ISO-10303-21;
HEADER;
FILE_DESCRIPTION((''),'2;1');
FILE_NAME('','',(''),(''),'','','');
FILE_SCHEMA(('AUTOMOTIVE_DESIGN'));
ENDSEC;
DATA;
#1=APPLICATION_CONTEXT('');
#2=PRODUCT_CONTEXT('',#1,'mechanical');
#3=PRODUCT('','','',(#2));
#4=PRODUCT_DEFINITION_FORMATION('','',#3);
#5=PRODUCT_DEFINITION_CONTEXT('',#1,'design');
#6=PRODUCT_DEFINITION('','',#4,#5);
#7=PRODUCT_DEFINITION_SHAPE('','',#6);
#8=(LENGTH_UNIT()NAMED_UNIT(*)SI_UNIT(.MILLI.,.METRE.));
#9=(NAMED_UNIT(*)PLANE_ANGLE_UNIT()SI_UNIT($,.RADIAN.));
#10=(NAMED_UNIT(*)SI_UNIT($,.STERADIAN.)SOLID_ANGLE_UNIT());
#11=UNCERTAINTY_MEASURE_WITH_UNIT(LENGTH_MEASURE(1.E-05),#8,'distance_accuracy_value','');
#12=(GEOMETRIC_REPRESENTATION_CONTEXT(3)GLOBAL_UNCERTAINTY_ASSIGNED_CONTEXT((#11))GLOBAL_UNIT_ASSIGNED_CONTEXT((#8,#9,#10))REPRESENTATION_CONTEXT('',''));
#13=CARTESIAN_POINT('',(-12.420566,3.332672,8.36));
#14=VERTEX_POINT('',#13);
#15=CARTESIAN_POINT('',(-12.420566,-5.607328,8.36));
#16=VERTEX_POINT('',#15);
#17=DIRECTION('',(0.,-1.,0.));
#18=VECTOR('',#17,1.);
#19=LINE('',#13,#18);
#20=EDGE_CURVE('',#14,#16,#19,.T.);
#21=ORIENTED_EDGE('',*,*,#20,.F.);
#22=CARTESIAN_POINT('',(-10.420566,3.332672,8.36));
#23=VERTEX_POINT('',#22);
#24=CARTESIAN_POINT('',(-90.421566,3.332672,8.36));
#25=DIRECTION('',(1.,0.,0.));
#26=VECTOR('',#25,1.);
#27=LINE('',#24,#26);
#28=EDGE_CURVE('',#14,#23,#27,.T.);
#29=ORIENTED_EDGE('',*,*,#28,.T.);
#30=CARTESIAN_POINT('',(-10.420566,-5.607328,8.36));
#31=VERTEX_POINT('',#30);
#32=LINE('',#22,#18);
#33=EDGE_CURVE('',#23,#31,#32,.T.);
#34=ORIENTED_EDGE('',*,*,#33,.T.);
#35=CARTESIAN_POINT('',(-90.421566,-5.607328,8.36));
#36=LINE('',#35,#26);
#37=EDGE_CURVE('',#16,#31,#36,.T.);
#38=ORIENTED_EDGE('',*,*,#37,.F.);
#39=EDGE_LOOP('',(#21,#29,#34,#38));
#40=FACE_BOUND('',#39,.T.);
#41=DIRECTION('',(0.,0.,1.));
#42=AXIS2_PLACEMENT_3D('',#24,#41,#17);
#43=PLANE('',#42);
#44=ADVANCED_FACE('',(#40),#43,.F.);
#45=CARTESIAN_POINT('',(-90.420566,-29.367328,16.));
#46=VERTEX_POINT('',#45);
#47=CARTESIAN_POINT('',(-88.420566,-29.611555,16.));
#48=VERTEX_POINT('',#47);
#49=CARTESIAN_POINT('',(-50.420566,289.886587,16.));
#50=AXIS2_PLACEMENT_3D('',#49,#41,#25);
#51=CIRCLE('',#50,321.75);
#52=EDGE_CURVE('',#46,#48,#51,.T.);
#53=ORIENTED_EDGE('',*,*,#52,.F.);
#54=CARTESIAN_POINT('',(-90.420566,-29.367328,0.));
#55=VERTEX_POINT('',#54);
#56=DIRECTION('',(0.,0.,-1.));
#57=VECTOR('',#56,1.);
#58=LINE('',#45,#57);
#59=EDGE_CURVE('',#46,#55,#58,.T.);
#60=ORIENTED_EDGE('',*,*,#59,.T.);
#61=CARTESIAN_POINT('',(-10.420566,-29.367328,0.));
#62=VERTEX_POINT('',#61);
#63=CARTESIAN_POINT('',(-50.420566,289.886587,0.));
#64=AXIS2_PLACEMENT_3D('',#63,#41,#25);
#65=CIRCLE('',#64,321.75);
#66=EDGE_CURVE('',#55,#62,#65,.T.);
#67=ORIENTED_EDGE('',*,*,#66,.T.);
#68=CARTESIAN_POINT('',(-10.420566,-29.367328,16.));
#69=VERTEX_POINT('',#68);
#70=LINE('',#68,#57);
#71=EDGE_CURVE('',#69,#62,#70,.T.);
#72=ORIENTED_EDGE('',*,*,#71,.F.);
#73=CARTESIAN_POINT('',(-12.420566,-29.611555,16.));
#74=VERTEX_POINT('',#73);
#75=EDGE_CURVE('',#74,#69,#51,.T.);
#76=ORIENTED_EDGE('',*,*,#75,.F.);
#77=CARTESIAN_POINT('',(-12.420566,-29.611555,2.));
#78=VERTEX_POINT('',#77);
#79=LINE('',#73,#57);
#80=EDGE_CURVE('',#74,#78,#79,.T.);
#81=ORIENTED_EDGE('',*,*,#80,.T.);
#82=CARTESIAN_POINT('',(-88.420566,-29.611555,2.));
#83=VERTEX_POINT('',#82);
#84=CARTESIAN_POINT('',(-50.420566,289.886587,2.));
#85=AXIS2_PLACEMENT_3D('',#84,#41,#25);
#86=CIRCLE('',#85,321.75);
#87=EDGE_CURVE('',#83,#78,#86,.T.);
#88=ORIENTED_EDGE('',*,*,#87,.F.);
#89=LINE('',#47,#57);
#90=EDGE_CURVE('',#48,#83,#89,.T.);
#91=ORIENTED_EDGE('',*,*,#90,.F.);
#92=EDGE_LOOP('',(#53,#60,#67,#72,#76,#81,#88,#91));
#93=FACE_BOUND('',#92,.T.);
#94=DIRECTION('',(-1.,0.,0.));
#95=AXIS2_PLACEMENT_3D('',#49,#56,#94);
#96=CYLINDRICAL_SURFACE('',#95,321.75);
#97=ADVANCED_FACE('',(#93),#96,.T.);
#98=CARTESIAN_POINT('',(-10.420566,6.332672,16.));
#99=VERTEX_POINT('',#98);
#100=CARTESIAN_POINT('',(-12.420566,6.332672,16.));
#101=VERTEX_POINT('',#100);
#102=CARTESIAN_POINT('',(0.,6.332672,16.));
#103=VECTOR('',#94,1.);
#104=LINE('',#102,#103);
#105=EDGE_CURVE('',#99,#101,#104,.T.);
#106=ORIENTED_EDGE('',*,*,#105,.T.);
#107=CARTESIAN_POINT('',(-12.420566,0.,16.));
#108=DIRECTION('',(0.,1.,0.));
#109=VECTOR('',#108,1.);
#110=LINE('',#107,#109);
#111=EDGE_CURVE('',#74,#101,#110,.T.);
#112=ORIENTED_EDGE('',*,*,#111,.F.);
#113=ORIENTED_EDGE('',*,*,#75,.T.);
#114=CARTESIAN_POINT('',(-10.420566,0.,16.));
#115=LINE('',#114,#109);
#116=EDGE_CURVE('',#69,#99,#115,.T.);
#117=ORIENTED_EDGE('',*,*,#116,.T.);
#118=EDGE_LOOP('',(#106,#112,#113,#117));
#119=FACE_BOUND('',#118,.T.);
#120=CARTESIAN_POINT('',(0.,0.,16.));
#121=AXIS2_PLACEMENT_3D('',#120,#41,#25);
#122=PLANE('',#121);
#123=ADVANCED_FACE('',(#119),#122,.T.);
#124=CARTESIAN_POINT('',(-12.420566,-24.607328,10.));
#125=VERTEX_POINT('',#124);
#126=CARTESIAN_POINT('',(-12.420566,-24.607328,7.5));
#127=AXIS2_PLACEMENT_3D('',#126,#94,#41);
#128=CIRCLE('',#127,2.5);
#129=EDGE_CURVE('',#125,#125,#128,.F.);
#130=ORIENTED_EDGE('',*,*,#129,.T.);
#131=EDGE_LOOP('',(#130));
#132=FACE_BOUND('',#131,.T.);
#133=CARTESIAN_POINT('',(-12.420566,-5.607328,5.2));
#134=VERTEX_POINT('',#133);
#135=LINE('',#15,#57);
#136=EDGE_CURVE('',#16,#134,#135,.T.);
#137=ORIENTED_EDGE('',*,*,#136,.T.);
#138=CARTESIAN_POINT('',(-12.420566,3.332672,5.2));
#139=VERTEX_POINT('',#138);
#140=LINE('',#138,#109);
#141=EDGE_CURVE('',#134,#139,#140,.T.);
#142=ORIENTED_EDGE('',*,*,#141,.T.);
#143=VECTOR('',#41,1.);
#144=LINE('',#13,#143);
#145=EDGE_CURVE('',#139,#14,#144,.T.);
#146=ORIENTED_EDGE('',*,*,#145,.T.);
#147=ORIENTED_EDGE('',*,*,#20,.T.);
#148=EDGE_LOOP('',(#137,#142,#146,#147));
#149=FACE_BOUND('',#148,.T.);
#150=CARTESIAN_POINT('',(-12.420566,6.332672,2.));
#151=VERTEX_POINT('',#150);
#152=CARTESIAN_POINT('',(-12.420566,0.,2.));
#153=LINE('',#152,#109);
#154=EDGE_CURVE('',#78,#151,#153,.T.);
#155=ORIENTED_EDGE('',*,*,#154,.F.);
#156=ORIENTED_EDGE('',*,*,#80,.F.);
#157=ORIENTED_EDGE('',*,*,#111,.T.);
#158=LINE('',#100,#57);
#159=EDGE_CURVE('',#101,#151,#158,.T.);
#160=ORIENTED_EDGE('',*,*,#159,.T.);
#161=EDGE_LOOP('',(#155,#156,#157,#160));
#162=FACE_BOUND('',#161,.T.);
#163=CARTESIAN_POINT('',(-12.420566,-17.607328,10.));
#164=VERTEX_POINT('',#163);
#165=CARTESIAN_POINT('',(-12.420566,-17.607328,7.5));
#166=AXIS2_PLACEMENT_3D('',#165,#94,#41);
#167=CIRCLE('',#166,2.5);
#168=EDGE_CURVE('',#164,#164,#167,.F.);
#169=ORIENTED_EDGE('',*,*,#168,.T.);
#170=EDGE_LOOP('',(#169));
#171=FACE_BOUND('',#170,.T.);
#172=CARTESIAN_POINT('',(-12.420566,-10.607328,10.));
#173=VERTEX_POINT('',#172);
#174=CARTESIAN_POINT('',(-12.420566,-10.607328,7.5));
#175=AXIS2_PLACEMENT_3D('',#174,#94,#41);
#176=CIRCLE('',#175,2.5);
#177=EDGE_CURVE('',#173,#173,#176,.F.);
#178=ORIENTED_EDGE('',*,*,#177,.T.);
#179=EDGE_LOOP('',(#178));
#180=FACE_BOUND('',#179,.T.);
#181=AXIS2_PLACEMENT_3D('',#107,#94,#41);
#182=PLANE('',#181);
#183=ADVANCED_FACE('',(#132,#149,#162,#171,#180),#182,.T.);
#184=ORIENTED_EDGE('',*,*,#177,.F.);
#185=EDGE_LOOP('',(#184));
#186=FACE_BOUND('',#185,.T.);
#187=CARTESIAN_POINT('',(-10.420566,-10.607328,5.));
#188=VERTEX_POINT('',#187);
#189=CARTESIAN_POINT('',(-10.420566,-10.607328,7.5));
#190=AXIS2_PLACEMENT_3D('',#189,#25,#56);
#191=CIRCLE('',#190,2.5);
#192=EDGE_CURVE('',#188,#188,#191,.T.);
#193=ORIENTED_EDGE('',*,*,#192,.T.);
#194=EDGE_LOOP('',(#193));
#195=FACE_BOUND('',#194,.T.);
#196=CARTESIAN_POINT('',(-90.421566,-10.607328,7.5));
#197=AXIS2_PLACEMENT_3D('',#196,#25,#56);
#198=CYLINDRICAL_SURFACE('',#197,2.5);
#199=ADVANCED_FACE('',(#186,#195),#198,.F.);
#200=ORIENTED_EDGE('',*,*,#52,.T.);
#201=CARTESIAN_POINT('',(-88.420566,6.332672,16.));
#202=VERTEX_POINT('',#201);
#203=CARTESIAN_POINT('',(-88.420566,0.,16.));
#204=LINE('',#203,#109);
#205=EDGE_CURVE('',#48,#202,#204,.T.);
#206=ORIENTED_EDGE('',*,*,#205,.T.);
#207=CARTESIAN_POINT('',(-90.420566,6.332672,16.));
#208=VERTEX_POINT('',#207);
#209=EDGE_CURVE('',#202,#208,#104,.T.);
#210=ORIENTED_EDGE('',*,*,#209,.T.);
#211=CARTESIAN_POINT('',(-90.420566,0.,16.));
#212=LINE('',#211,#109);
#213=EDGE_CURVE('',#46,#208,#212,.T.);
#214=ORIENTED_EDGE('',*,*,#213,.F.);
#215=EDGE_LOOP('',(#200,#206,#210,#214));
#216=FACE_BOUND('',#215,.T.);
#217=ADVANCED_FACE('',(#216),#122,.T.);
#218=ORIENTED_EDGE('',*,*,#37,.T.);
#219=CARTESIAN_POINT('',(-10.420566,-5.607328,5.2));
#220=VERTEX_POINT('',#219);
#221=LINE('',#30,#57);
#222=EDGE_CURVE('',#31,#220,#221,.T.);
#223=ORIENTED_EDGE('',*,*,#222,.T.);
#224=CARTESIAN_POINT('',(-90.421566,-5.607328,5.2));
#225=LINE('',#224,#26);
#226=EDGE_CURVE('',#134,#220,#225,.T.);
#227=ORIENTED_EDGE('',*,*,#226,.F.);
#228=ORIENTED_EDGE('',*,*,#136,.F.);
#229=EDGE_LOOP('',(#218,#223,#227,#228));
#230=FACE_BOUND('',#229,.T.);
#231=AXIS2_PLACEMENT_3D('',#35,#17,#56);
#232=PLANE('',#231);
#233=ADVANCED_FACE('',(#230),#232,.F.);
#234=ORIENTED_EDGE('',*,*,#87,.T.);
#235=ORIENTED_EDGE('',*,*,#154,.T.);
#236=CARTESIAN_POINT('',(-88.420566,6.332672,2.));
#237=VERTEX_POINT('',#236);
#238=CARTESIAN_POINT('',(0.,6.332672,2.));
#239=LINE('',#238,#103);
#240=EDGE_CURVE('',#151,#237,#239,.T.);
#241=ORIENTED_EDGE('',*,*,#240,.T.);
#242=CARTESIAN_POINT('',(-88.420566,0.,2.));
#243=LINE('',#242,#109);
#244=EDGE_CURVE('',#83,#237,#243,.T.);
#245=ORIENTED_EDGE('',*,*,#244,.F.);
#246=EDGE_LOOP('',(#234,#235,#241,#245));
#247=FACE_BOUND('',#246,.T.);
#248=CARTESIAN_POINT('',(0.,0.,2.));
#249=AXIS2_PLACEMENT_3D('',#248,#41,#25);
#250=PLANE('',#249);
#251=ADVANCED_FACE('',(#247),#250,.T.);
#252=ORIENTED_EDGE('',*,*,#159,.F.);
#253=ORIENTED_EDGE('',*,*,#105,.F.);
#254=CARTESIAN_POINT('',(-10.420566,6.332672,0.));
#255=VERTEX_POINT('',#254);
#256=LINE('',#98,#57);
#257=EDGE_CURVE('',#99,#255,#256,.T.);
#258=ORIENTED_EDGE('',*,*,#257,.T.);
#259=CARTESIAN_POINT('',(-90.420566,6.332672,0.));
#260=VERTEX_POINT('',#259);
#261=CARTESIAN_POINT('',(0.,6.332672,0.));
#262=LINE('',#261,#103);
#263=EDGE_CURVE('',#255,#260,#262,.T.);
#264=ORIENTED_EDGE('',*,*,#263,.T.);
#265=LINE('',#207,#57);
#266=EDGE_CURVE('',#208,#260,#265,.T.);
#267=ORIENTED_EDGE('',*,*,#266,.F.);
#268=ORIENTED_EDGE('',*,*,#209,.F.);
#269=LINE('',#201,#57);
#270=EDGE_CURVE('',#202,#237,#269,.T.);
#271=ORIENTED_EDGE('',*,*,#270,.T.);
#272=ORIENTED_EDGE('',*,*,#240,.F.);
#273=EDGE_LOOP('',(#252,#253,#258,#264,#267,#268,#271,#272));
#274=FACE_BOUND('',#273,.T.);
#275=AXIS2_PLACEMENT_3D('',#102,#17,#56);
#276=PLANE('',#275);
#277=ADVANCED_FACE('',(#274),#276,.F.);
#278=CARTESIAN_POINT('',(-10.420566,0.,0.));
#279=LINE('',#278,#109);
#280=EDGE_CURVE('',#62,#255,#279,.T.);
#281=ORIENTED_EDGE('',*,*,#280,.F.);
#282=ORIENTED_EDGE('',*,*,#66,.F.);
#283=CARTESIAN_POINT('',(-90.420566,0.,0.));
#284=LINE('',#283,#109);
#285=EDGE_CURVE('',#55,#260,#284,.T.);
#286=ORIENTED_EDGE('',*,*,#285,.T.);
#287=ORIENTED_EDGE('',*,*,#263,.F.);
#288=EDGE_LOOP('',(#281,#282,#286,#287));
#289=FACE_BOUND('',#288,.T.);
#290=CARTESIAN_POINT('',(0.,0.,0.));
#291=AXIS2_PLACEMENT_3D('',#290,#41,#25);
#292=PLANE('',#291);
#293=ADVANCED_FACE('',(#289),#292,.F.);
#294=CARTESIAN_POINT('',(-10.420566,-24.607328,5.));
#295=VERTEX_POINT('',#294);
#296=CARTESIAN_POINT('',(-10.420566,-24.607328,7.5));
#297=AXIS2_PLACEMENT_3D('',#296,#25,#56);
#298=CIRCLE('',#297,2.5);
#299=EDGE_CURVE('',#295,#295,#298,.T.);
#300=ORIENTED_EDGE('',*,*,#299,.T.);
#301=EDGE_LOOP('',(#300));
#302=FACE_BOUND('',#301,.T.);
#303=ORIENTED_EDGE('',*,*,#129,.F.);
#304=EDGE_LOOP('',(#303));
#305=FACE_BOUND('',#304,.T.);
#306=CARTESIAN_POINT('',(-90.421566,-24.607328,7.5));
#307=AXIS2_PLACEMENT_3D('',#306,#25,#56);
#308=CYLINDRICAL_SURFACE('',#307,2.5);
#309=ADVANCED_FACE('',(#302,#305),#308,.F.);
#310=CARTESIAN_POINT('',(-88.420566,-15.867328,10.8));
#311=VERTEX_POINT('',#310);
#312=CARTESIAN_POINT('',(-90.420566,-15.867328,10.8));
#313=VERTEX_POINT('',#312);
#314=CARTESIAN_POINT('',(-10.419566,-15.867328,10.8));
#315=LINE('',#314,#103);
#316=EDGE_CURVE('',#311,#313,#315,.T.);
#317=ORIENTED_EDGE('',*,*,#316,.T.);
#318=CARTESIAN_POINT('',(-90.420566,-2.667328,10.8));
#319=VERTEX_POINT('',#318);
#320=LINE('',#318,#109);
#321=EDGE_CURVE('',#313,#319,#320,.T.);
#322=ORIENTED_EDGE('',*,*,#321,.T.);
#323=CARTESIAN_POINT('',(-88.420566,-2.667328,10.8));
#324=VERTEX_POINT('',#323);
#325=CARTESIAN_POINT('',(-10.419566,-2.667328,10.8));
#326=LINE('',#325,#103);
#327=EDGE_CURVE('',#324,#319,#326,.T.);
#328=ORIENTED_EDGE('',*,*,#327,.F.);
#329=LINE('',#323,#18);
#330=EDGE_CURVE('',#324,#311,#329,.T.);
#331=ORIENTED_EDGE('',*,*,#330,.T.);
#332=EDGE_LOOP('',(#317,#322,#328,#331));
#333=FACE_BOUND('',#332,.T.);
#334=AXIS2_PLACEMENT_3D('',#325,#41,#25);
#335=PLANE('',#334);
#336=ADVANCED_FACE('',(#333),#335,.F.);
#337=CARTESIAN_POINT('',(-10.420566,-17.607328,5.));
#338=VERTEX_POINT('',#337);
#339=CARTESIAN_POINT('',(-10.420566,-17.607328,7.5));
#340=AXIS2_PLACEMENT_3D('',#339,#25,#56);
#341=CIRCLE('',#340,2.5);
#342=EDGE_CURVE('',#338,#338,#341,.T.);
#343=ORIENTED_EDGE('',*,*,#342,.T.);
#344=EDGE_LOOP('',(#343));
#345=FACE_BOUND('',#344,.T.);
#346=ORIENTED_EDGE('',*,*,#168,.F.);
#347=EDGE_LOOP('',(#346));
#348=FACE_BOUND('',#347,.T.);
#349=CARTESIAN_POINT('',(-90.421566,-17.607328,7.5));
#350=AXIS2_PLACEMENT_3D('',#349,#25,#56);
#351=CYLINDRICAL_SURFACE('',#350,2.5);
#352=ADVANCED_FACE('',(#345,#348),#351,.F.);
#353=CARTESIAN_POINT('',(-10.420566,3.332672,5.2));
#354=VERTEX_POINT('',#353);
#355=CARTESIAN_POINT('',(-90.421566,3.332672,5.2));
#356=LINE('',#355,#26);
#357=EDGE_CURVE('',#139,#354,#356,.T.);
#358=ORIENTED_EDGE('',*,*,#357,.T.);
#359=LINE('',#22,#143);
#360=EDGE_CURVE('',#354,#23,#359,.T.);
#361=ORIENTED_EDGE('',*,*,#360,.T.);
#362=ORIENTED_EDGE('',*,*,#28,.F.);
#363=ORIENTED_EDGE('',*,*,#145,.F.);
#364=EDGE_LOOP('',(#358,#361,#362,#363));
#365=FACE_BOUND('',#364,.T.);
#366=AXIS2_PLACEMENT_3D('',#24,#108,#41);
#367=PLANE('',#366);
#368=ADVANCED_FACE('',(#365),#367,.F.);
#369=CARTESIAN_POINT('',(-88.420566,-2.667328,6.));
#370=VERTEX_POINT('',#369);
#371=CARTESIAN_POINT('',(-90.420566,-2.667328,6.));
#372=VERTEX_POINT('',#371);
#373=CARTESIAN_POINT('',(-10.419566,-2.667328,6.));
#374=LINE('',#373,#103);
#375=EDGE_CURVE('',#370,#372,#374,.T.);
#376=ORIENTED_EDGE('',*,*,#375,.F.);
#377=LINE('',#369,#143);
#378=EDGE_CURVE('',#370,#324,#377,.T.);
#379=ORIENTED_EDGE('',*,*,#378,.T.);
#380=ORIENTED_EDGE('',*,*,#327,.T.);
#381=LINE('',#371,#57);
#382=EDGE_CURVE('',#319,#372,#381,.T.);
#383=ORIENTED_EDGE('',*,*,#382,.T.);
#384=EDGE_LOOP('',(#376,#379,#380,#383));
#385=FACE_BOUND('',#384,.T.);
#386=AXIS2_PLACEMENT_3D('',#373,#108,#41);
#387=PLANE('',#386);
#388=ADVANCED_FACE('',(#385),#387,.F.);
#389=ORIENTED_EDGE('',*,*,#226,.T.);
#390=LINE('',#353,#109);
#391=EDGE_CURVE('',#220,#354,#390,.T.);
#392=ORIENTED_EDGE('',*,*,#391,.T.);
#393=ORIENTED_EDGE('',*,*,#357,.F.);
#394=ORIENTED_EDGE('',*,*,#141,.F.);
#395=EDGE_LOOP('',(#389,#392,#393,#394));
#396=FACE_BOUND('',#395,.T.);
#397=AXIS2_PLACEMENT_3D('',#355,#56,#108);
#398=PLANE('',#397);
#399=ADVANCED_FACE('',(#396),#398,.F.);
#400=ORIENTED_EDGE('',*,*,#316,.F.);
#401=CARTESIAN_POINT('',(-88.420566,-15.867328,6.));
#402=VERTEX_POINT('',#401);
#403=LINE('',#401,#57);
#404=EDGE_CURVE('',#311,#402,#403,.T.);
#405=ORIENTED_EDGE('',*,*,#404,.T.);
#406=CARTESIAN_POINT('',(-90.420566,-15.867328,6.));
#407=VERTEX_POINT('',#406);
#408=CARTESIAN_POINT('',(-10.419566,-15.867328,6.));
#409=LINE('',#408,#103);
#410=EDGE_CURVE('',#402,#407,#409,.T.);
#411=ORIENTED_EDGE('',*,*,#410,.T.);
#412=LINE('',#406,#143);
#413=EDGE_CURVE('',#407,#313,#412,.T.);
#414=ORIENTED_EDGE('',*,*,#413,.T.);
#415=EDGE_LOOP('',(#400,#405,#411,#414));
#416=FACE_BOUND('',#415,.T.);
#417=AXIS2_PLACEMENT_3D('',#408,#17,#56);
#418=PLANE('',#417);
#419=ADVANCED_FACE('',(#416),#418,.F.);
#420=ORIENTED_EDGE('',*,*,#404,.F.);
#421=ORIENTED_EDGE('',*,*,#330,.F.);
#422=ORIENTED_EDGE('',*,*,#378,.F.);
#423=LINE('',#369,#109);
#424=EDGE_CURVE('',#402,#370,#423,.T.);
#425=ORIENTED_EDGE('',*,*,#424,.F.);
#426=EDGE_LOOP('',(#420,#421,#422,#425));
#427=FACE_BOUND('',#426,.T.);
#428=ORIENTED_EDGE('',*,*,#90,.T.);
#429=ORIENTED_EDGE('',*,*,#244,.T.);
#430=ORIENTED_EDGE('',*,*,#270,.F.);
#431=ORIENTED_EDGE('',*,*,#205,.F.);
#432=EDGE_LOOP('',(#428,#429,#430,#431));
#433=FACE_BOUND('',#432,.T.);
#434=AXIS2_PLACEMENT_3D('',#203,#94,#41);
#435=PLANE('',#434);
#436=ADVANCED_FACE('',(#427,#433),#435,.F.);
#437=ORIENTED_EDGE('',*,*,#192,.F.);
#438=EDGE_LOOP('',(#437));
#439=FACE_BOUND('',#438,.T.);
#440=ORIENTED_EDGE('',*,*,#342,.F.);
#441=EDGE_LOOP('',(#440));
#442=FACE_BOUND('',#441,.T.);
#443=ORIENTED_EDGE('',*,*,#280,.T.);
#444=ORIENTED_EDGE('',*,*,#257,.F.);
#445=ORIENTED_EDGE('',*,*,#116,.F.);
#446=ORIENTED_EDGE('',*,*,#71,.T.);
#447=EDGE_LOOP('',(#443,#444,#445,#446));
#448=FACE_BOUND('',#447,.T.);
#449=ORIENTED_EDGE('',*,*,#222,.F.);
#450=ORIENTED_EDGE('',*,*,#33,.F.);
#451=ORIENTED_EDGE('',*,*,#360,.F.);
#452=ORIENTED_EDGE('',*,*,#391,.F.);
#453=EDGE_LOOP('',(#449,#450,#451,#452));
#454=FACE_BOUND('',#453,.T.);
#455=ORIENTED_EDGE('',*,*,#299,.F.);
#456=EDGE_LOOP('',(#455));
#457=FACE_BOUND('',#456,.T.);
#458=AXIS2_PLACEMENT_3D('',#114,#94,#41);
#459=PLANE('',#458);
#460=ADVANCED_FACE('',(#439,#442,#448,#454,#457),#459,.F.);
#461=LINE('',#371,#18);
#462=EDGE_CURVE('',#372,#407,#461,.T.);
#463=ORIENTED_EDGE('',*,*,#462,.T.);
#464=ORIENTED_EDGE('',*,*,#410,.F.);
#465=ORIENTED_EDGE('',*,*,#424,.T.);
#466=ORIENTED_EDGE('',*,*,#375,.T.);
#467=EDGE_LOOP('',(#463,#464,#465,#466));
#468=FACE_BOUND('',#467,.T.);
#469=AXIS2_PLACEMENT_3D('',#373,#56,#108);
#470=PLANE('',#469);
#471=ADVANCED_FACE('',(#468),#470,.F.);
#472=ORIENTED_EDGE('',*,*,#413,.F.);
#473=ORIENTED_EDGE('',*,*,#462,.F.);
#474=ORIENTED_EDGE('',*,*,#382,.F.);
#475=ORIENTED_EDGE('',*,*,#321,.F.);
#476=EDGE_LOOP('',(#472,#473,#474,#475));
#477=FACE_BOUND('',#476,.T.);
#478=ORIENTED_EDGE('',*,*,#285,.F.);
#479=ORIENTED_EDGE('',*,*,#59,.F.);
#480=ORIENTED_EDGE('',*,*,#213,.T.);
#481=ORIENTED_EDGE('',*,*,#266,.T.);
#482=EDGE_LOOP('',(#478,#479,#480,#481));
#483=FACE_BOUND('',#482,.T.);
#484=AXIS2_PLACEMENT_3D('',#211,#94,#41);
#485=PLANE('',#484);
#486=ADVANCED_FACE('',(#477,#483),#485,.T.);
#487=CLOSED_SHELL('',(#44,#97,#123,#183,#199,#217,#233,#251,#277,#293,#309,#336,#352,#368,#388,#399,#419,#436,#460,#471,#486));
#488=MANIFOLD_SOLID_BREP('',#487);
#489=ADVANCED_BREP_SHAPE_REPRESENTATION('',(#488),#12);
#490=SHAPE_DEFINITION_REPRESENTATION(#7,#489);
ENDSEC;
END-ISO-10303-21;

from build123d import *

# Parameters (mm, degrees)
SKETCH_1_W          = 80
SKETCH_1_H          = 35.7
EXTRUDE_1_DEPTH     = 16
SHELL_1_T           = -2
CUT_EXTRUDE_3_REACH = 89.586
SKETCH_2_W          = 4.8
SKETCH_2_H          = 13.2
CUT_EXTRUDE_4_REACH = 89.586
SKETCH_6_R          = 2.5
SKETCH_6_W          = 3.16
SKETCH_6_H          = 8.94


with BuildPart() as part:
    # 草图1 → 凸台-拉伸1 (new body)
    with BuildSketch(Plane.XY):
        with Locations((-50.420566467, -11.517328482)):
            Rectangle(SKETCH_1_W, SKETCH_1_H)
        with BuildLine():
            Line((-10.420566467, -29.367328482), (-90.420566467, -29.367328482))
            ThreePointArc((-90.420566467, -29.367328482), (-50.420566467, -31.863413079), (-10.420566467, -29.367328482))
        make_face()
    extrude(amount=EXTRUDE_1_DEPTH)

    # 抽壳1
    shell_1_openings = [part.faces().sort_by_distance(p)[0] for p in [
        (-50.420566467, -12.357406874, 16),
        (-50.420566467, 6.332671518, 8),
        (-50.420566467, -31.863413079, 8),
    ]]
    offset(amount=SHELL_1_T, openings=shell_1_openings, kind=Kind.INTERSECTION)

    # 草图2 → 切除-拉伸3 (cut, up to next)
    with BuildSketch(Plane.ZY.offset(90.420566467), mode=Mode.PRIVATE) as cut_extrude_3_sk1:
        with Locations((8.4, -9.267328482)):
            Rectangle(SKETCH_2_W, SKETCH_2_H)
    cut_extrude_3_tool1 = extrude(cut_extrude_3_sk1.sketch, amount=-CUT_EXTRUDE_3_REACH, mode=Mode.PRIVATE) & part.part
    add(cut_extrude_3_tool1.solids().sort_by_distance((-90.420566, -9.267328, 8.4))[0], mode=Mode.SUBTRACT)

    # 草图6 → 切除-拉伸4 (cut, up to next)
    with BuildSketch(Plane(origin=(-10.420566467, 0, 0), x_dir=(0, 0, -1), z_dir=(1, 0, 0)), mode=Mode.PRIVATE) as cut_extrude_4_sk1:
        with Locations((-7.5, -10.607328482)):
            Circle(SKETCH_6_R)
    cut_extrude_4_tool1 = extrude(cut_extrude_4_sk1.sketch, amount=-CUT_EXTRUDE_4_REACH, mode=Mode.PRIVATE) & part.part
    # 草图6 → 切除-拉伸4 (cut, up to next)
    with BuildSketch(Plane(origin=(-10.420566467, 0, 0), x_dir=(0, 0, -1), z_dir=(1, 0, 0)), mode=Mode.PRIVATE) as cut_extrude_4_sk2:
        with Locations((-7.5, -17.607328482)):
            Circle(SKETCH_6_R)
    cut_extrude_4_tool2 = extrude(cut_extrude_4_sk2.sketch, amount=-CUT_EXTRUDE_4_REACH, mode=Mode.PRIVATE) & part.part
    # 草图6 → 切除-拉伸4 (cut, up to next)
    with BuildSketch(Plane(origin=(-10.420566467, 0, 0), x_dir=(0, 0, -1), z_dir=(1, 0, 0)), mode=Mode.PRIVATE) as cut_extrude_4_sk3:
        with Locations((-7.5, -24.607328482)):
            Circle(SKETCH_6_R)
    cut_extrude_4_tool3 = extrude(cut_extrude_4_sk3.sketch, amount=-CUT_EXTRUDE_4_REACH, mode=Mode.PRIVATE) & part.part
    # 草图6 → 切除-拉伸4 (cut, up to next)
    with BuildSketch(Plane(origin=(-10.420566467, 0, 0), x_dir=(0, 0, -1), z_dir=(1, 0, 0)), mode=Mode.PRIVATE) as cut_extrude_4_sk4:
        with Locations((-6.78, -1.137328482)):
            Rectangle(SKETCH_6_W, SKETCH_6_H)
    cut_extrude_4_tool4 = extrude(cut_extrude_4_sk4.sketch, amount=-CUT_EXTRUDE_4_REACH, mode=Mode.PRIVATE) & part.part
    add(cut_extrude_4_tool1.solids().sort_by_distance((-10.420566, -10.607328, 7.5))[0], mode=Mode.SUBTRACT)
    add(cut_extrude_4_tool2.solids().sort_by_distance((-10.420566, -17.607328, 7.5))[0], mode=Mode.SUBTRACT)
    add(cut_extrude_4_tool3.solids().sort_by_distance((-10.420566, -24.607328, 7.5))[0], mode=Mode.SUBTRACT)
    add(cut_extrude_4_tool4.solids().sort_by_distance((-10.420566, -1.137328, 6.78))[0], mode=Mode.SUBTRACT)


solid = part.part
